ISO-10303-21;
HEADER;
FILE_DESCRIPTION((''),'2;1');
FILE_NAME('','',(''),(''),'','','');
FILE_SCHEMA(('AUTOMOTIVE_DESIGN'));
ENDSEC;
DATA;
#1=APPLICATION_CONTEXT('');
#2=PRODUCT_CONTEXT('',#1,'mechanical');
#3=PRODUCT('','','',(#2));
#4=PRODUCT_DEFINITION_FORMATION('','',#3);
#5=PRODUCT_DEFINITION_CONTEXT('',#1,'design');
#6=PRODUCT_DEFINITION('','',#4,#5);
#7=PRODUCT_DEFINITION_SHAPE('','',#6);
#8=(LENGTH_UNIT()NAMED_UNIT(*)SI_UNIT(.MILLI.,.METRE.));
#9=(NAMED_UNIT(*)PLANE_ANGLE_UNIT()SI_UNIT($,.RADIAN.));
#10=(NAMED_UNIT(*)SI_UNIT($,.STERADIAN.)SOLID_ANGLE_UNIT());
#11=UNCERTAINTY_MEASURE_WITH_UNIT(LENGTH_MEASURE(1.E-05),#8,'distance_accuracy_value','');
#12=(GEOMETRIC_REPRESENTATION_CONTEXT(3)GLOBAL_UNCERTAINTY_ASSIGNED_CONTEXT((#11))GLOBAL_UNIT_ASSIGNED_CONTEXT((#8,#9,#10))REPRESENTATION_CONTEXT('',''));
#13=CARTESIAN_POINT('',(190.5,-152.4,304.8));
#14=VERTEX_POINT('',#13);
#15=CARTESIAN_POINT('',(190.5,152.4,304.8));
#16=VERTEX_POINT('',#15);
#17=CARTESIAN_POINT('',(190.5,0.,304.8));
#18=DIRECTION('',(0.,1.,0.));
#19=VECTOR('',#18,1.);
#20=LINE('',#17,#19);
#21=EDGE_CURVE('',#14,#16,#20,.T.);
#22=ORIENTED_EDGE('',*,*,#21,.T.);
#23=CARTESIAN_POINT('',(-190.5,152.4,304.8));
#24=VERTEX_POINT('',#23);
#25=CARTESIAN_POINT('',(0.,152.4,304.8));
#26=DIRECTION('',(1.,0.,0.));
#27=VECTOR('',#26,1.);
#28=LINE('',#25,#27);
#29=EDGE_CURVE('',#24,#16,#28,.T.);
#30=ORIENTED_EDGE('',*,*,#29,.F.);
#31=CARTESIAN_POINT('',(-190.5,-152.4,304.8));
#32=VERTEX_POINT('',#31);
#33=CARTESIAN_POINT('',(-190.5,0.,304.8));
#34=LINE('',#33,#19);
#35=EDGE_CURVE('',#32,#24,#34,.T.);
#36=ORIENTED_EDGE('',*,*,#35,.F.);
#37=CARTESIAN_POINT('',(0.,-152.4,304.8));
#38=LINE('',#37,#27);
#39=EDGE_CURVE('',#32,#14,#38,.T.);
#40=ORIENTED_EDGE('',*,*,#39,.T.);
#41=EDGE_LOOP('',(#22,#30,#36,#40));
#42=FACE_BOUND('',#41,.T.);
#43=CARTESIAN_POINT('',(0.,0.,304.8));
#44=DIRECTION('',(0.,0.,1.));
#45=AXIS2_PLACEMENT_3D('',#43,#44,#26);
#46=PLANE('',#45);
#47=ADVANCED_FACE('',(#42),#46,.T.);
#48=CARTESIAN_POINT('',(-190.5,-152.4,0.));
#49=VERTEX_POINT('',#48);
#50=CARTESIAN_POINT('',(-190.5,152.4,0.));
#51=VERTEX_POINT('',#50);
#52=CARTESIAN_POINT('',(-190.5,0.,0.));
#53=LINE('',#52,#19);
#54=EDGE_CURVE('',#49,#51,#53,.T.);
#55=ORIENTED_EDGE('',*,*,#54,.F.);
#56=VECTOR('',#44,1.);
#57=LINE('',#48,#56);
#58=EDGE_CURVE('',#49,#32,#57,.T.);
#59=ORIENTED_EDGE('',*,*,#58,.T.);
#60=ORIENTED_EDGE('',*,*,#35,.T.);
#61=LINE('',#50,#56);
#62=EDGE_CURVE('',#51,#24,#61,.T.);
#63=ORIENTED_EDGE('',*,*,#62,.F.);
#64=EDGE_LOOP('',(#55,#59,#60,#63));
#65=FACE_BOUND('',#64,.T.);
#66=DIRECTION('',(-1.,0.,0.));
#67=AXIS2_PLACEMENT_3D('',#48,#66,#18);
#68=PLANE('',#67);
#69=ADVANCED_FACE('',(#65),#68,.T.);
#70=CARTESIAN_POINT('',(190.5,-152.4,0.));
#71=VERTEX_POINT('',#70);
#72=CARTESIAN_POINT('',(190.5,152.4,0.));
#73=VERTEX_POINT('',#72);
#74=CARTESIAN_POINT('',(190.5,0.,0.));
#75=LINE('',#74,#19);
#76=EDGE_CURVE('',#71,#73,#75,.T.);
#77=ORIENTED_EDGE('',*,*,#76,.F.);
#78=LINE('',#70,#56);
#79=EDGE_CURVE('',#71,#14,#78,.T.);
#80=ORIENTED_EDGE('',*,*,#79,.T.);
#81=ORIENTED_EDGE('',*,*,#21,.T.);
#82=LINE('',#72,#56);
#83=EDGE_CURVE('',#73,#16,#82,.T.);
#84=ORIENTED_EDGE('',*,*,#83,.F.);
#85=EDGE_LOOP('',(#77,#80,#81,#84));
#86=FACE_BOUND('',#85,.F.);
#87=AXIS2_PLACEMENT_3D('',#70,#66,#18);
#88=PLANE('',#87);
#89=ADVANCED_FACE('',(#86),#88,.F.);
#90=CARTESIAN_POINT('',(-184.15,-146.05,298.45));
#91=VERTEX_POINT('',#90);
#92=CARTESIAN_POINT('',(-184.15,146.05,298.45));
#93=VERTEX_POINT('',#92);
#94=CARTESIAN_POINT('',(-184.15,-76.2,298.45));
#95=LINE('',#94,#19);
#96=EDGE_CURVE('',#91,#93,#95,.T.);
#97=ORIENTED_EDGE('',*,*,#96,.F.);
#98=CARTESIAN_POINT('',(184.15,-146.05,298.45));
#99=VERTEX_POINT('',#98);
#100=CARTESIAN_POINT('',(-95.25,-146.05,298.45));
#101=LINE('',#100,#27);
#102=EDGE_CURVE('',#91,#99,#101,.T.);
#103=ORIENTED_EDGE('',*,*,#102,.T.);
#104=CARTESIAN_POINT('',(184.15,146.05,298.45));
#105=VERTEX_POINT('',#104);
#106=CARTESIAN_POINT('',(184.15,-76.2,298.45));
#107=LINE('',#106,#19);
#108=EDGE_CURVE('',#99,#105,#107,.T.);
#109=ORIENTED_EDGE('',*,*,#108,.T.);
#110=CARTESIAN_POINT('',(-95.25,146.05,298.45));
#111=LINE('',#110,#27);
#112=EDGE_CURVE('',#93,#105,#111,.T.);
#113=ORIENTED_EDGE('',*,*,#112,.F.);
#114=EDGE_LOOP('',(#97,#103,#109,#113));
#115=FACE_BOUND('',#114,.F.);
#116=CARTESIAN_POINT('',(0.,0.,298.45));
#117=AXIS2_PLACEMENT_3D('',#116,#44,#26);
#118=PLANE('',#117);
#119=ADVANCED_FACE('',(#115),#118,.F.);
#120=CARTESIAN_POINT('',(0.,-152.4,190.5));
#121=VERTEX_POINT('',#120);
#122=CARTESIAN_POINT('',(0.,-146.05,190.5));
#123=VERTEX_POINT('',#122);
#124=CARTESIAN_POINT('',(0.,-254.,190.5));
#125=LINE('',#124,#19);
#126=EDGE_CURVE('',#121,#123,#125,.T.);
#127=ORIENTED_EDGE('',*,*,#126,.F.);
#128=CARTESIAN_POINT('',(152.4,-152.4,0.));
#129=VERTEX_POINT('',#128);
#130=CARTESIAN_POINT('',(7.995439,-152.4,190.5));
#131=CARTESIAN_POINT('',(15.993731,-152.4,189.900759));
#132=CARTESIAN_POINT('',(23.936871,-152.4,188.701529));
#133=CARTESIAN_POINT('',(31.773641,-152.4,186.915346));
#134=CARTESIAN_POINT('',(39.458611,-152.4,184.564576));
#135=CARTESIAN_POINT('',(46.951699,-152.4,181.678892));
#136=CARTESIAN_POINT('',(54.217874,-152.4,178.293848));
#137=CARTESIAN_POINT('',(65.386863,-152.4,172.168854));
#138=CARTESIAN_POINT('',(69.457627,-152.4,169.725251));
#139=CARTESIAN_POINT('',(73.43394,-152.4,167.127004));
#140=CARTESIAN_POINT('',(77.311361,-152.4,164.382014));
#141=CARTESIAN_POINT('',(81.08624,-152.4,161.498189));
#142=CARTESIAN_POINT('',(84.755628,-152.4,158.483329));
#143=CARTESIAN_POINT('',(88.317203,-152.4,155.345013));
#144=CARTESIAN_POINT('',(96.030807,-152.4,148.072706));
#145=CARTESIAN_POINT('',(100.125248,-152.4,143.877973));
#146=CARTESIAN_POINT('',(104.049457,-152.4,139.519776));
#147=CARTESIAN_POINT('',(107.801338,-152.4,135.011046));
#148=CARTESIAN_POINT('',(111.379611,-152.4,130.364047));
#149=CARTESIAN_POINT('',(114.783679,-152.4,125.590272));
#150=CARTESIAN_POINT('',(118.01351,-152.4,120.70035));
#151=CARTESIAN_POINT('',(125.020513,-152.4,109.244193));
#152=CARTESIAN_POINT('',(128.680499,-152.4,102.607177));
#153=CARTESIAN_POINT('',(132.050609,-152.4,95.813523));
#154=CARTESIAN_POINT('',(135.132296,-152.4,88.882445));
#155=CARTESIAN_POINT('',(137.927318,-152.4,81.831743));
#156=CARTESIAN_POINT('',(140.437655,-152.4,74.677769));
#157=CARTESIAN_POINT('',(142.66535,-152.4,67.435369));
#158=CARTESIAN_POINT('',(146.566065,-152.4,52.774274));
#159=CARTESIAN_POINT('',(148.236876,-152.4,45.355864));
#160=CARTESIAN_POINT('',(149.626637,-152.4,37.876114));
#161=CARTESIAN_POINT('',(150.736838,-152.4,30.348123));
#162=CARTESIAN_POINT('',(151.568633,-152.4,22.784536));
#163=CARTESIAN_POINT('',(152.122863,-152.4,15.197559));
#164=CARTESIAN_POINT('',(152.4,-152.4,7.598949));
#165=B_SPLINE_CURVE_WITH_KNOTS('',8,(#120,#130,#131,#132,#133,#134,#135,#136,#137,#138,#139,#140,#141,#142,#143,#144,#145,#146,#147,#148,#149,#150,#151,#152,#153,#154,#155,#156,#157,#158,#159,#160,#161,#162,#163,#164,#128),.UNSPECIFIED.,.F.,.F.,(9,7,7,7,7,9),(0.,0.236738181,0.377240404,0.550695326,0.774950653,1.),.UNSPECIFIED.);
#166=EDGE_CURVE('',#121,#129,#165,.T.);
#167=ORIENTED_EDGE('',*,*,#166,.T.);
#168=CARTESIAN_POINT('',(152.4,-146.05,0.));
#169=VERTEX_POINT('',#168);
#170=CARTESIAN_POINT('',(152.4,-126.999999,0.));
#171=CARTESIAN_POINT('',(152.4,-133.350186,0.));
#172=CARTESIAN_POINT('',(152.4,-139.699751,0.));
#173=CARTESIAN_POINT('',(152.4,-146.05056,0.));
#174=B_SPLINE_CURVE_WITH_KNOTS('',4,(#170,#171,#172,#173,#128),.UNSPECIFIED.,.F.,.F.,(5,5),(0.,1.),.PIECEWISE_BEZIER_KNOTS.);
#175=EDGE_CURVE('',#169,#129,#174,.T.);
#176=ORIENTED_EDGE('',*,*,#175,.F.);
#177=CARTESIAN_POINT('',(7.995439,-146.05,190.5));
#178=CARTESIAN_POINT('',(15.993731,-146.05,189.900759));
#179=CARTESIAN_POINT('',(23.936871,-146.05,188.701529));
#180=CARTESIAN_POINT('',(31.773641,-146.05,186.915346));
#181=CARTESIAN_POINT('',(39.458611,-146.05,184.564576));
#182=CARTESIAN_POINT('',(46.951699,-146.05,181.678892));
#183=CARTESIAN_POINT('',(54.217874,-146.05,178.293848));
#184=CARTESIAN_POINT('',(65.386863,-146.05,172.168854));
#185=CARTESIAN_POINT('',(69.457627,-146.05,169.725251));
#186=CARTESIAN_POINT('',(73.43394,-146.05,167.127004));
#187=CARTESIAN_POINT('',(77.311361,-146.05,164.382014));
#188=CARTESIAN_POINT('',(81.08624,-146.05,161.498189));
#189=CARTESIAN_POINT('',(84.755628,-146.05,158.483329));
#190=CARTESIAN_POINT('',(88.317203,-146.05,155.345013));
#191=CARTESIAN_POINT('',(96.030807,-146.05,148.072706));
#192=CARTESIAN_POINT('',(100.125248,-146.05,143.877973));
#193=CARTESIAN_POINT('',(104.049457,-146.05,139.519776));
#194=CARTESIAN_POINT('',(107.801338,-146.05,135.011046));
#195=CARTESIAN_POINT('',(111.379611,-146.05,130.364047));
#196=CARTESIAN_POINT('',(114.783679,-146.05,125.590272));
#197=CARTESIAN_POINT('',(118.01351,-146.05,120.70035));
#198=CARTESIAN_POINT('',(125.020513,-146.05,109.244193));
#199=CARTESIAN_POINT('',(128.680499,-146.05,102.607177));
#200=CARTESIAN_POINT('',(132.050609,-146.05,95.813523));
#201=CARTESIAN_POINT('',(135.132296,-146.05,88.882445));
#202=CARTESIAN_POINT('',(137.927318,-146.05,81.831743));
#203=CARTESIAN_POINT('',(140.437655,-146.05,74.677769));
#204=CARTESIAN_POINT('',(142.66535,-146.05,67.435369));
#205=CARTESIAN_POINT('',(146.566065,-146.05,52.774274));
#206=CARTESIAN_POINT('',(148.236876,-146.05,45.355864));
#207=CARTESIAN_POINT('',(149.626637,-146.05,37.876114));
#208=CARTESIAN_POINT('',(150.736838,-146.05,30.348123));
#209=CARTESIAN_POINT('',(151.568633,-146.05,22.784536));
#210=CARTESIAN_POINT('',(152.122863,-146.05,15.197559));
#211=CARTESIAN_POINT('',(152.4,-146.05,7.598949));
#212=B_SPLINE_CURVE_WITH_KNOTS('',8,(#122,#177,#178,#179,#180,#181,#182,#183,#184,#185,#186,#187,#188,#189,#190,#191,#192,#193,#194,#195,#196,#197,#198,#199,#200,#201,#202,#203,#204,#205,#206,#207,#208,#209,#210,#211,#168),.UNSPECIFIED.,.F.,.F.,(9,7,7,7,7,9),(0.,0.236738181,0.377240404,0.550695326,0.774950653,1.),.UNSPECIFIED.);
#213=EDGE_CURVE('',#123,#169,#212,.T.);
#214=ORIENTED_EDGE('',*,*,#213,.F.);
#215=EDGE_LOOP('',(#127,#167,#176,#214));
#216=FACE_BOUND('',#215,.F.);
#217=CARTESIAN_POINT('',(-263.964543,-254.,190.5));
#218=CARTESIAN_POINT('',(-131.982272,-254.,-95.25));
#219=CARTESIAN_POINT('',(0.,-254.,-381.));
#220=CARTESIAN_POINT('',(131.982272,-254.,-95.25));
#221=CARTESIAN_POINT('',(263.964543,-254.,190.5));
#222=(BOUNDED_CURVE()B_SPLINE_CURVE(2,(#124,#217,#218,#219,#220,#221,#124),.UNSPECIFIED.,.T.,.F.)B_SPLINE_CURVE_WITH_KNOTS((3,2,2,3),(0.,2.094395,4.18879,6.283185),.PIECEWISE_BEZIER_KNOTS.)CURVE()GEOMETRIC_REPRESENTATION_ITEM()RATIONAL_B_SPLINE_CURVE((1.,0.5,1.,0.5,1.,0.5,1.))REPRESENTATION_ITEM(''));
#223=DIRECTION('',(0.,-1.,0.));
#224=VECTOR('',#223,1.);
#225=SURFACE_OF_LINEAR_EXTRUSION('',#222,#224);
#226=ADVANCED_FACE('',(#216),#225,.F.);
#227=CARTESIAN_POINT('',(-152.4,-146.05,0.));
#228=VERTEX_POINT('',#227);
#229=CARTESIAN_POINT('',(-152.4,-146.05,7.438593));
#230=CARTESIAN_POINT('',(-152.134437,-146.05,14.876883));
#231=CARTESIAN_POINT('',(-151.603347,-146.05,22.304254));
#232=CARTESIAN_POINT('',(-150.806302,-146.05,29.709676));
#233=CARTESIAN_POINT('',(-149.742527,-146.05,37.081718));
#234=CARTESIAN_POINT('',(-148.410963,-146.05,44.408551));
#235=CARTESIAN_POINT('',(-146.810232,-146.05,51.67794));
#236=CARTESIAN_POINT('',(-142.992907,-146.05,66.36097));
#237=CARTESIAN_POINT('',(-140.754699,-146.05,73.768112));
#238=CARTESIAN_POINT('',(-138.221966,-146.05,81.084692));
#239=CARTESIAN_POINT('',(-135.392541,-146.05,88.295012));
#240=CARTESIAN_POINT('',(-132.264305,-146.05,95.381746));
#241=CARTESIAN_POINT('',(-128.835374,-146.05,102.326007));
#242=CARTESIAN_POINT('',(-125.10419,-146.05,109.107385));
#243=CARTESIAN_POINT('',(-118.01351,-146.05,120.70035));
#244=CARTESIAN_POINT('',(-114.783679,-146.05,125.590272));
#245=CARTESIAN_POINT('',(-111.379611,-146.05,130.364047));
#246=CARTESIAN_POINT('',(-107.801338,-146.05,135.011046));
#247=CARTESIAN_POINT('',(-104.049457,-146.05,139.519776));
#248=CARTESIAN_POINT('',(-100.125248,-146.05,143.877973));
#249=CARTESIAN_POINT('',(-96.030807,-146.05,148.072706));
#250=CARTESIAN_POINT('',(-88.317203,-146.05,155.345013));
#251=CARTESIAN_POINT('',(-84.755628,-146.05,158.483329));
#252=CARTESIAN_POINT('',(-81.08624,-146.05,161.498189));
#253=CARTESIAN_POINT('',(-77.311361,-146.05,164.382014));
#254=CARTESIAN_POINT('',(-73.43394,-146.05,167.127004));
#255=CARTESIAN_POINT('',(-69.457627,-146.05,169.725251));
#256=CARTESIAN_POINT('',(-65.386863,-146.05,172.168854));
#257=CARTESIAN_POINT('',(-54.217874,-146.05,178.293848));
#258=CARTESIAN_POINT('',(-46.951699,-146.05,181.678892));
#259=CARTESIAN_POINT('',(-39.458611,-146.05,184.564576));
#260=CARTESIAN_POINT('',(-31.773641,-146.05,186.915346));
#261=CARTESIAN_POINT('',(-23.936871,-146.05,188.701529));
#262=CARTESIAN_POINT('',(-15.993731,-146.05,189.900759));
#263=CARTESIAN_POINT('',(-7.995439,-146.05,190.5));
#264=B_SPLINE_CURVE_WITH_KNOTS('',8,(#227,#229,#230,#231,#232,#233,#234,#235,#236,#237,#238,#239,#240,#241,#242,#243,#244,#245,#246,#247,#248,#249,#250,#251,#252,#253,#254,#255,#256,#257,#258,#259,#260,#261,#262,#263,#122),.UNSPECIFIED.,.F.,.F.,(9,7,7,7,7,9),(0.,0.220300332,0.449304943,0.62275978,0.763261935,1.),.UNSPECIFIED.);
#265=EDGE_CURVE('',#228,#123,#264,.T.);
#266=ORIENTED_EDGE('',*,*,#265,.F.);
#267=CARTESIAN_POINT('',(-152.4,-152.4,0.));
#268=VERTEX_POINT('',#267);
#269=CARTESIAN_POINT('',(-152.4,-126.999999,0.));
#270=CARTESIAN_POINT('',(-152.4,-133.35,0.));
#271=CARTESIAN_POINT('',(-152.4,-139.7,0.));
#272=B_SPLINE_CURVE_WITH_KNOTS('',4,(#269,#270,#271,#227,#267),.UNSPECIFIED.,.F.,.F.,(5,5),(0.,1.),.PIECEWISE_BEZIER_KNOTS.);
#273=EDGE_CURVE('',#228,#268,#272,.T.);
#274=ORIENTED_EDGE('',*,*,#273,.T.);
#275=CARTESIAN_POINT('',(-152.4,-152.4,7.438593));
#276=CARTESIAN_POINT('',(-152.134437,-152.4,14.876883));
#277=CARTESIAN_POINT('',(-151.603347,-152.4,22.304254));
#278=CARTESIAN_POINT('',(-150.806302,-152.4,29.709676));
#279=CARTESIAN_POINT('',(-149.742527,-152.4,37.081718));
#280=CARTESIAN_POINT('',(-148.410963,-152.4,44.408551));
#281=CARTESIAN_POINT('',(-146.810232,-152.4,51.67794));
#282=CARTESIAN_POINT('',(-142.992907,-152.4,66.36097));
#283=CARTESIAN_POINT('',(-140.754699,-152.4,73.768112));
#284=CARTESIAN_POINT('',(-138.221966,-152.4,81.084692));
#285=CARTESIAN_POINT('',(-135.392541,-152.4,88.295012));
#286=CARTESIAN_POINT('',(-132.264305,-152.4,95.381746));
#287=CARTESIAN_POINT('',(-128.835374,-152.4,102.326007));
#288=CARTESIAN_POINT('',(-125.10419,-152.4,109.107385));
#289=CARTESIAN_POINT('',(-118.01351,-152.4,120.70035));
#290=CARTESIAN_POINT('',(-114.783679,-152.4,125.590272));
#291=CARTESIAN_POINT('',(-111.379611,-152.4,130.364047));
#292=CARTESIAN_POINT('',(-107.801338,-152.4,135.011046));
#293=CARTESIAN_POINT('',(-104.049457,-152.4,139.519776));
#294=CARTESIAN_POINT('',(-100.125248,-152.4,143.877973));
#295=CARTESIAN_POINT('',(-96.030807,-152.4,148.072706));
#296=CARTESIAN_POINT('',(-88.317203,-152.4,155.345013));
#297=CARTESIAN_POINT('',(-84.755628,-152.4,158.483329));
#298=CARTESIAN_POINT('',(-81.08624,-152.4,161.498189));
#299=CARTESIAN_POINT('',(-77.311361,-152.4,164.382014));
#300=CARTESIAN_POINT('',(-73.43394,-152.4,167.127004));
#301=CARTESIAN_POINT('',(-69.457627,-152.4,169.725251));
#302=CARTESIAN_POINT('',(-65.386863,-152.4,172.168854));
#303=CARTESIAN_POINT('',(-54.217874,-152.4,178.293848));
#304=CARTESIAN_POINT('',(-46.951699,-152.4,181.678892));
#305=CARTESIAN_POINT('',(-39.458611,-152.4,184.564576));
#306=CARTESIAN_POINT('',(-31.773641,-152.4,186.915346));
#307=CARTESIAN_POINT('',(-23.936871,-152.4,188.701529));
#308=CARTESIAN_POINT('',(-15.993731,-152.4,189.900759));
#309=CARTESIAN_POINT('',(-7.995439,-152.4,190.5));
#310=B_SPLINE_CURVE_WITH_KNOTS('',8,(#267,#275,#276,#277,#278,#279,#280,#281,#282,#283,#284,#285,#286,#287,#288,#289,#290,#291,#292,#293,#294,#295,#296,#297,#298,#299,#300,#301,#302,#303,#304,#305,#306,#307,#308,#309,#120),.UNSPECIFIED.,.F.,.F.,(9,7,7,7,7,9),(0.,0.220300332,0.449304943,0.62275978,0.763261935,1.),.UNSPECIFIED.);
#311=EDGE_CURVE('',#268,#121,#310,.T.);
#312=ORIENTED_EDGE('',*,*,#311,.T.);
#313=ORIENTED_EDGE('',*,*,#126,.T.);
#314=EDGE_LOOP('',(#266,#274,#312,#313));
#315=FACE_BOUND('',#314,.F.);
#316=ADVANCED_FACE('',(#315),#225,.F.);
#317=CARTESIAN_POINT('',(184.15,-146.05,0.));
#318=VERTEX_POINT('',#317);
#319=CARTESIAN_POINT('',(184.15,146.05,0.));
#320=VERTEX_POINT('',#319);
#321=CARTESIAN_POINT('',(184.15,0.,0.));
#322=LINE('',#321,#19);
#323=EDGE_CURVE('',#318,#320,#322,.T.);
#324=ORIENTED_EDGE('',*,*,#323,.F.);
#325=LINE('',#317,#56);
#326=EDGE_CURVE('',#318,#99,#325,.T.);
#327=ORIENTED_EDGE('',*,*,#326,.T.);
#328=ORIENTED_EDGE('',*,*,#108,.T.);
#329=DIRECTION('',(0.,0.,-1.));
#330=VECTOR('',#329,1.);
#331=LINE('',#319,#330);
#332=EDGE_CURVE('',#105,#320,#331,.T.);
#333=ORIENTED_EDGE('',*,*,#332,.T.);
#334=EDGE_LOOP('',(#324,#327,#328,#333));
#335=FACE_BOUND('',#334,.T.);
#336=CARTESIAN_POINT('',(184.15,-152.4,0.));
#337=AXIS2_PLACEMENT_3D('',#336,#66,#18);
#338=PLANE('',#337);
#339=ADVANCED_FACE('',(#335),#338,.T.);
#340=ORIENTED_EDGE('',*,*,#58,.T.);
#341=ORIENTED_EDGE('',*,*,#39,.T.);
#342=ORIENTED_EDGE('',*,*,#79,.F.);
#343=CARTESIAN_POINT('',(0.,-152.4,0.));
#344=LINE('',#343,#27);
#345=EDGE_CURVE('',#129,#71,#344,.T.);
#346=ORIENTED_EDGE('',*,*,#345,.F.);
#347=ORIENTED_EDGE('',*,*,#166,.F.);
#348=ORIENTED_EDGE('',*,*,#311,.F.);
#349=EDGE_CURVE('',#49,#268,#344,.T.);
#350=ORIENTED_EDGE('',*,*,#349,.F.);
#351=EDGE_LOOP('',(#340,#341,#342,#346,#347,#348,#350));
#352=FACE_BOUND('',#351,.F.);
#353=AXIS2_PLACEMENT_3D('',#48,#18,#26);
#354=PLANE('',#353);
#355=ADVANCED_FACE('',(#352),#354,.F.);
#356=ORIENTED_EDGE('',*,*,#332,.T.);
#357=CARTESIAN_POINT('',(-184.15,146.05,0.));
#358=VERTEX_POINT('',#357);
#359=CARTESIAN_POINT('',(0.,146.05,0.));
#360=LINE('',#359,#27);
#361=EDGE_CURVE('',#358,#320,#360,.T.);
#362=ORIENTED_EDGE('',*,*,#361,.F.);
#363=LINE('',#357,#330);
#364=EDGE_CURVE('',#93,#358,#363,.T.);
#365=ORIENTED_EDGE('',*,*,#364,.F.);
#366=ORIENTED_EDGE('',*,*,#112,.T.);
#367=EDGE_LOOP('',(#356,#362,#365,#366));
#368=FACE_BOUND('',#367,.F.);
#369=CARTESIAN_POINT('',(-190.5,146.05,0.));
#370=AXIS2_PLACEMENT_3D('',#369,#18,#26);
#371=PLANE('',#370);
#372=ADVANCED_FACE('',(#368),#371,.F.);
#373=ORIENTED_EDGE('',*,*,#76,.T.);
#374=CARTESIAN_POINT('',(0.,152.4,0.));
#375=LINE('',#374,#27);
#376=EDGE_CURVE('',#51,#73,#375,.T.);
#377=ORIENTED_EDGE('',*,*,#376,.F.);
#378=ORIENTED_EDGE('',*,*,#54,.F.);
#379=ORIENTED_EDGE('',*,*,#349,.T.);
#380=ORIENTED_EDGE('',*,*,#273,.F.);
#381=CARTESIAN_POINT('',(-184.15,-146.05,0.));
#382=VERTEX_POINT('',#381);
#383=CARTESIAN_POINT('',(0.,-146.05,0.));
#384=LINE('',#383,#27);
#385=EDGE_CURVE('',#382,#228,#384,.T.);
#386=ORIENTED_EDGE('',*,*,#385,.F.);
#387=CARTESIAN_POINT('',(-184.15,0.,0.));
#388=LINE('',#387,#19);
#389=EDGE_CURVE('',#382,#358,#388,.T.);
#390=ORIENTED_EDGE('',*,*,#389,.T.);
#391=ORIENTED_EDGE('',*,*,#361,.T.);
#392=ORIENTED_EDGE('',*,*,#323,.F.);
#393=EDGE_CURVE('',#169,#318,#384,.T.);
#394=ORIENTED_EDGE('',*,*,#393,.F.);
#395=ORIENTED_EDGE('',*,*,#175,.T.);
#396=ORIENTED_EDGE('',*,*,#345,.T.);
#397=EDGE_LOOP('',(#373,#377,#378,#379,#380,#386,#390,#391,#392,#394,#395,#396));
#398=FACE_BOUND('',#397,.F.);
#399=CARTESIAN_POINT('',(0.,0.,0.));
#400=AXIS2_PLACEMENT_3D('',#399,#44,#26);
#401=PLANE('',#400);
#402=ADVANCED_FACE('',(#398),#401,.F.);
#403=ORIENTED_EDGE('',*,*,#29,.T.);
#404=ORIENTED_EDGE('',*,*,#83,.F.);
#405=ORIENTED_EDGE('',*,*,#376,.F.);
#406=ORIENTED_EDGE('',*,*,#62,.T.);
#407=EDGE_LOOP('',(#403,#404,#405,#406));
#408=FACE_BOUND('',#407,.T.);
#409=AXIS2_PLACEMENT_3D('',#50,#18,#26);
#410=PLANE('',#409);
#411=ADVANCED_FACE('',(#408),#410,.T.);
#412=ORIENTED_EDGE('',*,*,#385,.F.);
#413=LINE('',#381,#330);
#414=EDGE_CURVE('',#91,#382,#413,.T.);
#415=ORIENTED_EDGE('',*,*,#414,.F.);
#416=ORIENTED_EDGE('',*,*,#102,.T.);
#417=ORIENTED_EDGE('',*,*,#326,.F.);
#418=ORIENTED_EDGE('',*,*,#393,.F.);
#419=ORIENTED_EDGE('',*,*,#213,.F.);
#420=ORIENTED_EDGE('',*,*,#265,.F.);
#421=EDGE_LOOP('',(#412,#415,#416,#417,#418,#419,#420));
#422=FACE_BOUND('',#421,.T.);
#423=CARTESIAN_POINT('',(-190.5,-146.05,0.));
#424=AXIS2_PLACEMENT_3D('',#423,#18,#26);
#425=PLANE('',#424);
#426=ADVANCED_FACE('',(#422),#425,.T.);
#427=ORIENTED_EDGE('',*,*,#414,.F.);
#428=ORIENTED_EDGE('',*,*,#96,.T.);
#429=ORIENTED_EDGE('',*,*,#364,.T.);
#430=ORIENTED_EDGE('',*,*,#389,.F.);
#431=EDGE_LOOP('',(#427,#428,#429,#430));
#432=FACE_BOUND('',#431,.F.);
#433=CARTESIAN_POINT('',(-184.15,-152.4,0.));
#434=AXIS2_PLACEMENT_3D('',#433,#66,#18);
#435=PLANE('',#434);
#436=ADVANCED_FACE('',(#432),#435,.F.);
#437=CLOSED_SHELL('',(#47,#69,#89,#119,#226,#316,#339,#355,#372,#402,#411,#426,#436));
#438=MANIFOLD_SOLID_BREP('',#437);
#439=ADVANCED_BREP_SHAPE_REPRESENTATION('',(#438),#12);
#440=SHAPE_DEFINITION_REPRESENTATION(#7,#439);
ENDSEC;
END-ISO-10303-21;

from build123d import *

# Parameters (mm, degrees)
F0_W     = 381
F0_H     = 304.8
F1_DEPTH = 304.8
F4_T     = -6.35
F5_DEPTH = 127


with BuildPart() as f1:
    # F0 (on Top) → F1 (new body)
    with BuildSketch(Plane.XY):
        Rectangle(F0_W, F0_H)
    extrude(amount=F1_DEPTH)

    # F4
    f4_openings = [f1.faces().sort_by_distance(p)[0] for p in [
        (0, 0, 0),
    ]]
    offset(amount=F4_T, openings=f4_openings)

    # F3 (on offset) → F5 (cut)
    with BuildSketch(Plane.XZ.offset(254)):
        with BuildLine():
            add(Edge.make_bspline(
                [(0, 190.5), (-263.964543, 190.5), (-131.982272, -95.25), (0, -381), (131.982272, -95.25), (263.964543, 190.5), (0, 190.5)],
                knots=[0, 0, 0, 2.094395, 2.094395, 4.18879, 4.18879, 6.283185, 6.283185, 6.283185], degree=2, weights=[1, 0.5, 1, 0.5, 1, 0.5, 1]))
        make_face()
    extrude(amount=-F5_DEPTH, mode=Mode.SUBTRACT)


solid = f1.part
